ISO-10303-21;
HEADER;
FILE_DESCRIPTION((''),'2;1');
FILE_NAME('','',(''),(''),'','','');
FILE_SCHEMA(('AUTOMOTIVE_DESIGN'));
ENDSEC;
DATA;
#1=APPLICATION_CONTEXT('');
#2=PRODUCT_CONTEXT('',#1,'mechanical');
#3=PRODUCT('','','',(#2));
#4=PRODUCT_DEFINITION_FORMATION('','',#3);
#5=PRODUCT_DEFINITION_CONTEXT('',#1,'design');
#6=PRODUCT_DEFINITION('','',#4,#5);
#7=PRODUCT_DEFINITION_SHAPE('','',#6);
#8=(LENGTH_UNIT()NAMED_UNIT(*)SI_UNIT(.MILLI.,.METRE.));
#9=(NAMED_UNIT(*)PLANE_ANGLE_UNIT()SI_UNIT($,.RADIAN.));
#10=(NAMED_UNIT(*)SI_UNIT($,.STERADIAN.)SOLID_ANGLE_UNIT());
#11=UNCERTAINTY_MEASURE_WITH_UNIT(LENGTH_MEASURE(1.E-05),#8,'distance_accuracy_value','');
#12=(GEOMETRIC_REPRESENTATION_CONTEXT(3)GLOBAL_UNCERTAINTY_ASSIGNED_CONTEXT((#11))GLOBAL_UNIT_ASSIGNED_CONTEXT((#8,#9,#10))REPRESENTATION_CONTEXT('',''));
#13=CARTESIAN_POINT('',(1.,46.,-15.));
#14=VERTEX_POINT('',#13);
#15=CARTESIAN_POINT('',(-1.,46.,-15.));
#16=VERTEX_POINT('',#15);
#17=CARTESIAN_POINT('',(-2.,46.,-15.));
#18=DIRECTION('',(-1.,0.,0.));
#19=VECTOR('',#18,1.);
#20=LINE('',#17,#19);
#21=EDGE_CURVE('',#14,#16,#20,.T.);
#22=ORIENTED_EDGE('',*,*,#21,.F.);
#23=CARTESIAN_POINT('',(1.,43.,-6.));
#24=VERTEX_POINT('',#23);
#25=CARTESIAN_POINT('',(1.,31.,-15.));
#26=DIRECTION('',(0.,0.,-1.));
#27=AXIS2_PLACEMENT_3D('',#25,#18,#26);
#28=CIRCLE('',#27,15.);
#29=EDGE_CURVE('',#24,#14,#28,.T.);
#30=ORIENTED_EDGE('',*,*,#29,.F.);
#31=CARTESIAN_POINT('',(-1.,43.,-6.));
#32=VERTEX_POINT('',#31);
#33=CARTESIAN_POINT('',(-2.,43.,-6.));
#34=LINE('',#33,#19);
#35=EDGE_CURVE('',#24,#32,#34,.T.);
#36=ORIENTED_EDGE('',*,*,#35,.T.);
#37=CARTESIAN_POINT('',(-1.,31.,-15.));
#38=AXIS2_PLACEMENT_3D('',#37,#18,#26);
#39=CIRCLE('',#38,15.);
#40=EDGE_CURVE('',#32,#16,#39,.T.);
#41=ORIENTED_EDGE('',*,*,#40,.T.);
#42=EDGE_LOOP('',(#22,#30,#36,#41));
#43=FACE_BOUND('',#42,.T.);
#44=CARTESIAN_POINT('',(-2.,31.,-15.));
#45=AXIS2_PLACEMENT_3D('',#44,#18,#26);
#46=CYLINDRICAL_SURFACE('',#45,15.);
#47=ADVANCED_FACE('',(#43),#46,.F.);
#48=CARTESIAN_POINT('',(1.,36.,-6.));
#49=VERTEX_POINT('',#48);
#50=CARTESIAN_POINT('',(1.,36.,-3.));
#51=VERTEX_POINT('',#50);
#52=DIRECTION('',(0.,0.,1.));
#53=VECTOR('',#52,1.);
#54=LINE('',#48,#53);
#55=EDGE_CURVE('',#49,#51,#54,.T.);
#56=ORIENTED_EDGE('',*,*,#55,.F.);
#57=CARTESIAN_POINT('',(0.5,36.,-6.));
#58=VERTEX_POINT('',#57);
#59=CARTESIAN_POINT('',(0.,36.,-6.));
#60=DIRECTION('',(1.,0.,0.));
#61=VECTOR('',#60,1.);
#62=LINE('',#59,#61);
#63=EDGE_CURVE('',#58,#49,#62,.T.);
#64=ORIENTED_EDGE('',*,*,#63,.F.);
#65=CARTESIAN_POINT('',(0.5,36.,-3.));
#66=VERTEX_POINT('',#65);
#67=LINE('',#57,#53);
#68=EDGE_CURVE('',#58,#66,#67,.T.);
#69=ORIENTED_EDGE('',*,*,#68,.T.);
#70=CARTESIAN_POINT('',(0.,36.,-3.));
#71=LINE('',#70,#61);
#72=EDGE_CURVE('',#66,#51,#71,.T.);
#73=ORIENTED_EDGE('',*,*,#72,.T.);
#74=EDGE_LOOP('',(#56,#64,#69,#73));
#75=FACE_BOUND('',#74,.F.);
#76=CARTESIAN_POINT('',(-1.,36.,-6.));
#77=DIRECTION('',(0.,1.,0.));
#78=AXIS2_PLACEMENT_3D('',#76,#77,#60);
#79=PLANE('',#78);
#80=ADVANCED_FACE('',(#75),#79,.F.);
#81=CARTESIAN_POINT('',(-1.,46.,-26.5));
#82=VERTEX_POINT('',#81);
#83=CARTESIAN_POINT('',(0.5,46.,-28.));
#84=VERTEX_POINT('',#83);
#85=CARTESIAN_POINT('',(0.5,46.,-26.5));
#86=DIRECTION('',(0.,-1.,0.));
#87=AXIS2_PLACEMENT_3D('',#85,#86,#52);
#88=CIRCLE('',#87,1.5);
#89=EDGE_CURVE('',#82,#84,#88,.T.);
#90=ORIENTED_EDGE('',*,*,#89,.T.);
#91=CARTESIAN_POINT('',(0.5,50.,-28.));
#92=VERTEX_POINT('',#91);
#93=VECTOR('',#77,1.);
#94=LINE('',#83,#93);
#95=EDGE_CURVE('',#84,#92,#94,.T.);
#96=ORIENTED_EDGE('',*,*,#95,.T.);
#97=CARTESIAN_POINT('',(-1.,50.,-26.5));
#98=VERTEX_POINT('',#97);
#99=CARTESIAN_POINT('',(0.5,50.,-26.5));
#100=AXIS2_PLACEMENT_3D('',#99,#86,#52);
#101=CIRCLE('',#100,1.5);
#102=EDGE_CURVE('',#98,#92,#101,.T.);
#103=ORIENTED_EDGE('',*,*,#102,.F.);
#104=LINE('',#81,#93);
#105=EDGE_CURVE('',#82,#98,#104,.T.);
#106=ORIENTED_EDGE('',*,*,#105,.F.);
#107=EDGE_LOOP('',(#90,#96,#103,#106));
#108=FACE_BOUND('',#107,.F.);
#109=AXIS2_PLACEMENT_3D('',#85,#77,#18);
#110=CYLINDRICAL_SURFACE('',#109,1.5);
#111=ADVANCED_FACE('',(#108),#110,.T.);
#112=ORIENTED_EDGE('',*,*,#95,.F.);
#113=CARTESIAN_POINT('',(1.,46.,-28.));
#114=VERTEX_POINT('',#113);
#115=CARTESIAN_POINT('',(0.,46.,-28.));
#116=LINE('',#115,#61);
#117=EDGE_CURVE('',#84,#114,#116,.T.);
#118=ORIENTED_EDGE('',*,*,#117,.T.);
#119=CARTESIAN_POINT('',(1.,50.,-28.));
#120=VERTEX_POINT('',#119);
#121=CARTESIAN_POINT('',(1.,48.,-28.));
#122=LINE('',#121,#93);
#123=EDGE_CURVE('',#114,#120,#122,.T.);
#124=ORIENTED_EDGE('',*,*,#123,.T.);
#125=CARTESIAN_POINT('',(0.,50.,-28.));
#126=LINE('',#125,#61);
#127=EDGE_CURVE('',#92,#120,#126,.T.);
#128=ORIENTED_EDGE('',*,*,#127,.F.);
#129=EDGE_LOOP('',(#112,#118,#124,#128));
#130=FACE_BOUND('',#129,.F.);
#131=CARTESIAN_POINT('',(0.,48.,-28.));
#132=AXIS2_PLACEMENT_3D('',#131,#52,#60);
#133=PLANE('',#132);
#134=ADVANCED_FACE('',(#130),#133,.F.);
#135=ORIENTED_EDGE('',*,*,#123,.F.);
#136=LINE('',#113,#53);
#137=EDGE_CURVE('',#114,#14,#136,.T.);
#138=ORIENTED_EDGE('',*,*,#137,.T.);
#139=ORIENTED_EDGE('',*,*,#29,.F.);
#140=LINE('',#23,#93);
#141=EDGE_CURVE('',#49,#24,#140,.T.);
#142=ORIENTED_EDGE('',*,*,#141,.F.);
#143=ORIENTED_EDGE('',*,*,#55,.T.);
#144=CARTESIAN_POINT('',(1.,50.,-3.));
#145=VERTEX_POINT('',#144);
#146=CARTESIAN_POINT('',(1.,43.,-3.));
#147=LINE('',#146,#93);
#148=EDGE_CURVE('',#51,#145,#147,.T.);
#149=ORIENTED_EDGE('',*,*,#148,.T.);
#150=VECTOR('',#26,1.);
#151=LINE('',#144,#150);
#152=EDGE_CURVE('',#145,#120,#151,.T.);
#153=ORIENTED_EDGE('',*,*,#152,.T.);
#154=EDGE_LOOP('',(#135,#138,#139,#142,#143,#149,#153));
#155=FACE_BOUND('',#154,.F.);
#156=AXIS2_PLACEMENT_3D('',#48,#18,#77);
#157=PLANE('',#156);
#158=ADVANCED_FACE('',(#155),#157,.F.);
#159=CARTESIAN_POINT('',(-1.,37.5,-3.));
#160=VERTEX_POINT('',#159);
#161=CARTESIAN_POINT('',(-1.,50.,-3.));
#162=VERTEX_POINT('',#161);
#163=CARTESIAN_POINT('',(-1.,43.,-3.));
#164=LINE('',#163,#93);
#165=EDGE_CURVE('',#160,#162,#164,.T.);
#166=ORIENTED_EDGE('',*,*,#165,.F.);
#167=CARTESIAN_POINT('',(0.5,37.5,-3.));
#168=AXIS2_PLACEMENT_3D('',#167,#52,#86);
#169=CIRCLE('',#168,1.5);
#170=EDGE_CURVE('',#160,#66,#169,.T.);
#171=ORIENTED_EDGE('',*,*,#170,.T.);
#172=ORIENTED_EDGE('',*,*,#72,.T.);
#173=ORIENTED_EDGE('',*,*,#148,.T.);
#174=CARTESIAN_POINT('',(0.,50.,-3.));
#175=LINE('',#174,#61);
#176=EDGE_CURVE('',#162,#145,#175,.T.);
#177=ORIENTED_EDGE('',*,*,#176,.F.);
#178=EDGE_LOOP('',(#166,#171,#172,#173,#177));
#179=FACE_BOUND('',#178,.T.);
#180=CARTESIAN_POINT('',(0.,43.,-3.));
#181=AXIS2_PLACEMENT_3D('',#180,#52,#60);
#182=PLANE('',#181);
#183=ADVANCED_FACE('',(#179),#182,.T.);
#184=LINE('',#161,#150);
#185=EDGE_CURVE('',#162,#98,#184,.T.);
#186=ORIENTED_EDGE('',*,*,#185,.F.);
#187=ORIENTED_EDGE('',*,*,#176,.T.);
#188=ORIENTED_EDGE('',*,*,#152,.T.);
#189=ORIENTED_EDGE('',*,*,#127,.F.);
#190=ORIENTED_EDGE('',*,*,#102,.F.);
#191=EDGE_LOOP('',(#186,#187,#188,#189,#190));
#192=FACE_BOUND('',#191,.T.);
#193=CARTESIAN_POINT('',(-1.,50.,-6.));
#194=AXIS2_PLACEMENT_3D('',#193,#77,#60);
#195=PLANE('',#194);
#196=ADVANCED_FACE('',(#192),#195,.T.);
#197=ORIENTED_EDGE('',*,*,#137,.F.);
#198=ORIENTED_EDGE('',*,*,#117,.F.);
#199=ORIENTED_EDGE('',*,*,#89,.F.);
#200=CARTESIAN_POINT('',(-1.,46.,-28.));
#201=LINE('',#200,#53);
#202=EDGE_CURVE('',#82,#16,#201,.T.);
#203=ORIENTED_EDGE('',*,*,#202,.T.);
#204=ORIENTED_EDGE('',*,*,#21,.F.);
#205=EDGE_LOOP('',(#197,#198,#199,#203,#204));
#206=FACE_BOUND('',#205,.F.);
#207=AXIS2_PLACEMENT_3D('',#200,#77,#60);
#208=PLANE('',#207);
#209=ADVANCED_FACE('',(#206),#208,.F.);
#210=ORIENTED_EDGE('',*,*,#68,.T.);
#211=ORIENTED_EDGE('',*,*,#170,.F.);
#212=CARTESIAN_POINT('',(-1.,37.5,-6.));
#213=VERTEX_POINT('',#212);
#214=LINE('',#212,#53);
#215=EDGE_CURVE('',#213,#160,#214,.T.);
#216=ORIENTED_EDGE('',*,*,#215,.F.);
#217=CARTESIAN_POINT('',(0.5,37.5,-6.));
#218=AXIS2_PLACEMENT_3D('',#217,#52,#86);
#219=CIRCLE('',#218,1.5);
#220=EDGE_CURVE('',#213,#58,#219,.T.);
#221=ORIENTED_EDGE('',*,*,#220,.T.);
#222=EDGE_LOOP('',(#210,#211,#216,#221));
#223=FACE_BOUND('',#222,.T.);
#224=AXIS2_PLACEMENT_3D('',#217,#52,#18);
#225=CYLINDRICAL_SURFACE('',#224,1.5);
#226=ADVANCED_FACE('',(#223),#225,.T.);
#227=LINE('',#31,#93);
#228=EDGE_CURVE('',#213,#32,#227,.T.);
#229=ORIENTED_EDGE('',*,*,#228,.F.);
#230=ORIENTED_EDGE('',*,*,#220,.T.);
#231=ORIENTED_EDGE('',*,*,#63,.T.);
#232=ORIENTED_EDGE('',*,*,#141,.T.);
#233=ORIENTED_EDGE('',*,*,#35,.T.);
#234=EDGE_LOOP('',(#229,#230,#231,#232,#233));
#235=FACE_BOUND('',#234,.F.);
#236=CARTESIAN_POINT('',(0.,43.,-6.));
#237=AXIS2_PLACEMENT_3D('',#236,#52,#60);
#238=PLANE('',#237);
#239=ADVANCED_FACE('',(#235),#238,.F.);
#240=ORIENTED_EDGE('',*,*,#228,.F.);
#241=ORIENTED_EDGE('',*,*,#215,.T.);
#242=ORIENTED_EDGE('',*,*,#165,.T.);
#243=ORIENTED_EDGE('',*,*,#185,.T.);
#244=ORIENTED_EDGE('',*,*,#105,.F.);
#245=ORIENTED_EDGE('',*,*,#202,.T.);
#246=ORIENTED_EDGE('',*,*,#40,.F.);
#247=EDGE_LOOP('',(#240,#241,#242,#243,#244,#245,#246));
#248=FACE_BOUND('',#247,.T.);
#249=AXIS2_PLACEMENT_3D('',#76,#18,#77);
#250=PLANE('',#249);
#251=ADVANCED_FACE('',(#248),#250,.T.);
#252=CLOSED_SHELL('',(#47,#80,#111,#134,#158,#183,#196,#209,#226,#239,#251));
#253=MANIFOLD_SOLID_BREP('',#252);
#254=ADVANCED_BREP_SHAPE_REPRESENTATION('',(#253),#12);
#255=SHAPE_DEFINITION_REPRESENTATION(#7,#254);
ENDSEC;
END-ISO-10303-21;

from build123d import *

# Parameters (mm, degrees)
BOX090_W          = 2
BOX090_H          = 4
BOX090_DEPTH      = 13
BOX091_W          = 2
BOX091_H          = 14
BOX091_DEPTH      = 3
CYLINDER045_R     = 15
CYLINDER045_DEPTH = 4
BOX089_W          = 2
BOX089_H          = 10
BOX089_DEPTH      = 9
FILLET011_R       = 1.5


with BuildPart() as cube080:
    # Box090 → Box090 (new body)
    with BuildSketch(Plane(origin=(-1, 46, -28), x_dir=(1, 0, 0), z_dir=(0, 0, 1))):
        with Locations((1, 2)):
            Rectangle(BOX090_W, BOX090_H)
    extrude(amount=BOX090_DEPTH)


with BuildPart() as cube081:
    # Box091 → Box091 (new body)
    with BuildSketch(Plane(origin=(-1, 36, -6), x_dir=(1, 0, 0), z_dir=(0, 0, 1))):
        with Locations((1, 7)):
            Rectangle(BOX091_W, BOX091_H)
    extrude(amount=BOX091_DEPTH)


with BuildPart() as cylinder129:
    # Cylinder045 → Cylinder045 (new body)
    with BuildSketch(Plane(origin=(0, 35, -15), x_dir=(0, 0, -1), z_dir=(1, 0, 0))):
        Circle(CYLINDER045_R)
    extrude(amount=CYLINDER045_DEPTH)


with BuildPart() as fillet011:
    # Box089 → Box089 (new body)
    with BuildSketch(Plane(origin=(1, 44, -15), x_dir=(1, 0, 0), z_dir=(0, 0, 1))):
        with Locations((1, 5)):
            Rectangle(BOX089_W, BOX089_H)
    extrude(amount=BOX089_DEPTH)

    # Cut036: cut Cylinder129
    add(cylinder129.part, mode=Mode.SUBTRACT)


with BuildPart() as fillet011_1:
    # Cut036 placement: moved
    add(fillet011.part.moved(Location((-2, -4, 0))))

    # Fusion031: union Cube080, Cube081
    add(cube080.part)
    add(cube081.part)

    # Fillet011
    fillet011_edges = [fillet011_1.edges().sort_by_distance(p)[0] for p in [
        (-1, 48, -28),
        (-1, 36, -4.5),
    ]]
    fillet(fillet011_edges, radius=FILLET011_R)


solid = fillet011_1.part
